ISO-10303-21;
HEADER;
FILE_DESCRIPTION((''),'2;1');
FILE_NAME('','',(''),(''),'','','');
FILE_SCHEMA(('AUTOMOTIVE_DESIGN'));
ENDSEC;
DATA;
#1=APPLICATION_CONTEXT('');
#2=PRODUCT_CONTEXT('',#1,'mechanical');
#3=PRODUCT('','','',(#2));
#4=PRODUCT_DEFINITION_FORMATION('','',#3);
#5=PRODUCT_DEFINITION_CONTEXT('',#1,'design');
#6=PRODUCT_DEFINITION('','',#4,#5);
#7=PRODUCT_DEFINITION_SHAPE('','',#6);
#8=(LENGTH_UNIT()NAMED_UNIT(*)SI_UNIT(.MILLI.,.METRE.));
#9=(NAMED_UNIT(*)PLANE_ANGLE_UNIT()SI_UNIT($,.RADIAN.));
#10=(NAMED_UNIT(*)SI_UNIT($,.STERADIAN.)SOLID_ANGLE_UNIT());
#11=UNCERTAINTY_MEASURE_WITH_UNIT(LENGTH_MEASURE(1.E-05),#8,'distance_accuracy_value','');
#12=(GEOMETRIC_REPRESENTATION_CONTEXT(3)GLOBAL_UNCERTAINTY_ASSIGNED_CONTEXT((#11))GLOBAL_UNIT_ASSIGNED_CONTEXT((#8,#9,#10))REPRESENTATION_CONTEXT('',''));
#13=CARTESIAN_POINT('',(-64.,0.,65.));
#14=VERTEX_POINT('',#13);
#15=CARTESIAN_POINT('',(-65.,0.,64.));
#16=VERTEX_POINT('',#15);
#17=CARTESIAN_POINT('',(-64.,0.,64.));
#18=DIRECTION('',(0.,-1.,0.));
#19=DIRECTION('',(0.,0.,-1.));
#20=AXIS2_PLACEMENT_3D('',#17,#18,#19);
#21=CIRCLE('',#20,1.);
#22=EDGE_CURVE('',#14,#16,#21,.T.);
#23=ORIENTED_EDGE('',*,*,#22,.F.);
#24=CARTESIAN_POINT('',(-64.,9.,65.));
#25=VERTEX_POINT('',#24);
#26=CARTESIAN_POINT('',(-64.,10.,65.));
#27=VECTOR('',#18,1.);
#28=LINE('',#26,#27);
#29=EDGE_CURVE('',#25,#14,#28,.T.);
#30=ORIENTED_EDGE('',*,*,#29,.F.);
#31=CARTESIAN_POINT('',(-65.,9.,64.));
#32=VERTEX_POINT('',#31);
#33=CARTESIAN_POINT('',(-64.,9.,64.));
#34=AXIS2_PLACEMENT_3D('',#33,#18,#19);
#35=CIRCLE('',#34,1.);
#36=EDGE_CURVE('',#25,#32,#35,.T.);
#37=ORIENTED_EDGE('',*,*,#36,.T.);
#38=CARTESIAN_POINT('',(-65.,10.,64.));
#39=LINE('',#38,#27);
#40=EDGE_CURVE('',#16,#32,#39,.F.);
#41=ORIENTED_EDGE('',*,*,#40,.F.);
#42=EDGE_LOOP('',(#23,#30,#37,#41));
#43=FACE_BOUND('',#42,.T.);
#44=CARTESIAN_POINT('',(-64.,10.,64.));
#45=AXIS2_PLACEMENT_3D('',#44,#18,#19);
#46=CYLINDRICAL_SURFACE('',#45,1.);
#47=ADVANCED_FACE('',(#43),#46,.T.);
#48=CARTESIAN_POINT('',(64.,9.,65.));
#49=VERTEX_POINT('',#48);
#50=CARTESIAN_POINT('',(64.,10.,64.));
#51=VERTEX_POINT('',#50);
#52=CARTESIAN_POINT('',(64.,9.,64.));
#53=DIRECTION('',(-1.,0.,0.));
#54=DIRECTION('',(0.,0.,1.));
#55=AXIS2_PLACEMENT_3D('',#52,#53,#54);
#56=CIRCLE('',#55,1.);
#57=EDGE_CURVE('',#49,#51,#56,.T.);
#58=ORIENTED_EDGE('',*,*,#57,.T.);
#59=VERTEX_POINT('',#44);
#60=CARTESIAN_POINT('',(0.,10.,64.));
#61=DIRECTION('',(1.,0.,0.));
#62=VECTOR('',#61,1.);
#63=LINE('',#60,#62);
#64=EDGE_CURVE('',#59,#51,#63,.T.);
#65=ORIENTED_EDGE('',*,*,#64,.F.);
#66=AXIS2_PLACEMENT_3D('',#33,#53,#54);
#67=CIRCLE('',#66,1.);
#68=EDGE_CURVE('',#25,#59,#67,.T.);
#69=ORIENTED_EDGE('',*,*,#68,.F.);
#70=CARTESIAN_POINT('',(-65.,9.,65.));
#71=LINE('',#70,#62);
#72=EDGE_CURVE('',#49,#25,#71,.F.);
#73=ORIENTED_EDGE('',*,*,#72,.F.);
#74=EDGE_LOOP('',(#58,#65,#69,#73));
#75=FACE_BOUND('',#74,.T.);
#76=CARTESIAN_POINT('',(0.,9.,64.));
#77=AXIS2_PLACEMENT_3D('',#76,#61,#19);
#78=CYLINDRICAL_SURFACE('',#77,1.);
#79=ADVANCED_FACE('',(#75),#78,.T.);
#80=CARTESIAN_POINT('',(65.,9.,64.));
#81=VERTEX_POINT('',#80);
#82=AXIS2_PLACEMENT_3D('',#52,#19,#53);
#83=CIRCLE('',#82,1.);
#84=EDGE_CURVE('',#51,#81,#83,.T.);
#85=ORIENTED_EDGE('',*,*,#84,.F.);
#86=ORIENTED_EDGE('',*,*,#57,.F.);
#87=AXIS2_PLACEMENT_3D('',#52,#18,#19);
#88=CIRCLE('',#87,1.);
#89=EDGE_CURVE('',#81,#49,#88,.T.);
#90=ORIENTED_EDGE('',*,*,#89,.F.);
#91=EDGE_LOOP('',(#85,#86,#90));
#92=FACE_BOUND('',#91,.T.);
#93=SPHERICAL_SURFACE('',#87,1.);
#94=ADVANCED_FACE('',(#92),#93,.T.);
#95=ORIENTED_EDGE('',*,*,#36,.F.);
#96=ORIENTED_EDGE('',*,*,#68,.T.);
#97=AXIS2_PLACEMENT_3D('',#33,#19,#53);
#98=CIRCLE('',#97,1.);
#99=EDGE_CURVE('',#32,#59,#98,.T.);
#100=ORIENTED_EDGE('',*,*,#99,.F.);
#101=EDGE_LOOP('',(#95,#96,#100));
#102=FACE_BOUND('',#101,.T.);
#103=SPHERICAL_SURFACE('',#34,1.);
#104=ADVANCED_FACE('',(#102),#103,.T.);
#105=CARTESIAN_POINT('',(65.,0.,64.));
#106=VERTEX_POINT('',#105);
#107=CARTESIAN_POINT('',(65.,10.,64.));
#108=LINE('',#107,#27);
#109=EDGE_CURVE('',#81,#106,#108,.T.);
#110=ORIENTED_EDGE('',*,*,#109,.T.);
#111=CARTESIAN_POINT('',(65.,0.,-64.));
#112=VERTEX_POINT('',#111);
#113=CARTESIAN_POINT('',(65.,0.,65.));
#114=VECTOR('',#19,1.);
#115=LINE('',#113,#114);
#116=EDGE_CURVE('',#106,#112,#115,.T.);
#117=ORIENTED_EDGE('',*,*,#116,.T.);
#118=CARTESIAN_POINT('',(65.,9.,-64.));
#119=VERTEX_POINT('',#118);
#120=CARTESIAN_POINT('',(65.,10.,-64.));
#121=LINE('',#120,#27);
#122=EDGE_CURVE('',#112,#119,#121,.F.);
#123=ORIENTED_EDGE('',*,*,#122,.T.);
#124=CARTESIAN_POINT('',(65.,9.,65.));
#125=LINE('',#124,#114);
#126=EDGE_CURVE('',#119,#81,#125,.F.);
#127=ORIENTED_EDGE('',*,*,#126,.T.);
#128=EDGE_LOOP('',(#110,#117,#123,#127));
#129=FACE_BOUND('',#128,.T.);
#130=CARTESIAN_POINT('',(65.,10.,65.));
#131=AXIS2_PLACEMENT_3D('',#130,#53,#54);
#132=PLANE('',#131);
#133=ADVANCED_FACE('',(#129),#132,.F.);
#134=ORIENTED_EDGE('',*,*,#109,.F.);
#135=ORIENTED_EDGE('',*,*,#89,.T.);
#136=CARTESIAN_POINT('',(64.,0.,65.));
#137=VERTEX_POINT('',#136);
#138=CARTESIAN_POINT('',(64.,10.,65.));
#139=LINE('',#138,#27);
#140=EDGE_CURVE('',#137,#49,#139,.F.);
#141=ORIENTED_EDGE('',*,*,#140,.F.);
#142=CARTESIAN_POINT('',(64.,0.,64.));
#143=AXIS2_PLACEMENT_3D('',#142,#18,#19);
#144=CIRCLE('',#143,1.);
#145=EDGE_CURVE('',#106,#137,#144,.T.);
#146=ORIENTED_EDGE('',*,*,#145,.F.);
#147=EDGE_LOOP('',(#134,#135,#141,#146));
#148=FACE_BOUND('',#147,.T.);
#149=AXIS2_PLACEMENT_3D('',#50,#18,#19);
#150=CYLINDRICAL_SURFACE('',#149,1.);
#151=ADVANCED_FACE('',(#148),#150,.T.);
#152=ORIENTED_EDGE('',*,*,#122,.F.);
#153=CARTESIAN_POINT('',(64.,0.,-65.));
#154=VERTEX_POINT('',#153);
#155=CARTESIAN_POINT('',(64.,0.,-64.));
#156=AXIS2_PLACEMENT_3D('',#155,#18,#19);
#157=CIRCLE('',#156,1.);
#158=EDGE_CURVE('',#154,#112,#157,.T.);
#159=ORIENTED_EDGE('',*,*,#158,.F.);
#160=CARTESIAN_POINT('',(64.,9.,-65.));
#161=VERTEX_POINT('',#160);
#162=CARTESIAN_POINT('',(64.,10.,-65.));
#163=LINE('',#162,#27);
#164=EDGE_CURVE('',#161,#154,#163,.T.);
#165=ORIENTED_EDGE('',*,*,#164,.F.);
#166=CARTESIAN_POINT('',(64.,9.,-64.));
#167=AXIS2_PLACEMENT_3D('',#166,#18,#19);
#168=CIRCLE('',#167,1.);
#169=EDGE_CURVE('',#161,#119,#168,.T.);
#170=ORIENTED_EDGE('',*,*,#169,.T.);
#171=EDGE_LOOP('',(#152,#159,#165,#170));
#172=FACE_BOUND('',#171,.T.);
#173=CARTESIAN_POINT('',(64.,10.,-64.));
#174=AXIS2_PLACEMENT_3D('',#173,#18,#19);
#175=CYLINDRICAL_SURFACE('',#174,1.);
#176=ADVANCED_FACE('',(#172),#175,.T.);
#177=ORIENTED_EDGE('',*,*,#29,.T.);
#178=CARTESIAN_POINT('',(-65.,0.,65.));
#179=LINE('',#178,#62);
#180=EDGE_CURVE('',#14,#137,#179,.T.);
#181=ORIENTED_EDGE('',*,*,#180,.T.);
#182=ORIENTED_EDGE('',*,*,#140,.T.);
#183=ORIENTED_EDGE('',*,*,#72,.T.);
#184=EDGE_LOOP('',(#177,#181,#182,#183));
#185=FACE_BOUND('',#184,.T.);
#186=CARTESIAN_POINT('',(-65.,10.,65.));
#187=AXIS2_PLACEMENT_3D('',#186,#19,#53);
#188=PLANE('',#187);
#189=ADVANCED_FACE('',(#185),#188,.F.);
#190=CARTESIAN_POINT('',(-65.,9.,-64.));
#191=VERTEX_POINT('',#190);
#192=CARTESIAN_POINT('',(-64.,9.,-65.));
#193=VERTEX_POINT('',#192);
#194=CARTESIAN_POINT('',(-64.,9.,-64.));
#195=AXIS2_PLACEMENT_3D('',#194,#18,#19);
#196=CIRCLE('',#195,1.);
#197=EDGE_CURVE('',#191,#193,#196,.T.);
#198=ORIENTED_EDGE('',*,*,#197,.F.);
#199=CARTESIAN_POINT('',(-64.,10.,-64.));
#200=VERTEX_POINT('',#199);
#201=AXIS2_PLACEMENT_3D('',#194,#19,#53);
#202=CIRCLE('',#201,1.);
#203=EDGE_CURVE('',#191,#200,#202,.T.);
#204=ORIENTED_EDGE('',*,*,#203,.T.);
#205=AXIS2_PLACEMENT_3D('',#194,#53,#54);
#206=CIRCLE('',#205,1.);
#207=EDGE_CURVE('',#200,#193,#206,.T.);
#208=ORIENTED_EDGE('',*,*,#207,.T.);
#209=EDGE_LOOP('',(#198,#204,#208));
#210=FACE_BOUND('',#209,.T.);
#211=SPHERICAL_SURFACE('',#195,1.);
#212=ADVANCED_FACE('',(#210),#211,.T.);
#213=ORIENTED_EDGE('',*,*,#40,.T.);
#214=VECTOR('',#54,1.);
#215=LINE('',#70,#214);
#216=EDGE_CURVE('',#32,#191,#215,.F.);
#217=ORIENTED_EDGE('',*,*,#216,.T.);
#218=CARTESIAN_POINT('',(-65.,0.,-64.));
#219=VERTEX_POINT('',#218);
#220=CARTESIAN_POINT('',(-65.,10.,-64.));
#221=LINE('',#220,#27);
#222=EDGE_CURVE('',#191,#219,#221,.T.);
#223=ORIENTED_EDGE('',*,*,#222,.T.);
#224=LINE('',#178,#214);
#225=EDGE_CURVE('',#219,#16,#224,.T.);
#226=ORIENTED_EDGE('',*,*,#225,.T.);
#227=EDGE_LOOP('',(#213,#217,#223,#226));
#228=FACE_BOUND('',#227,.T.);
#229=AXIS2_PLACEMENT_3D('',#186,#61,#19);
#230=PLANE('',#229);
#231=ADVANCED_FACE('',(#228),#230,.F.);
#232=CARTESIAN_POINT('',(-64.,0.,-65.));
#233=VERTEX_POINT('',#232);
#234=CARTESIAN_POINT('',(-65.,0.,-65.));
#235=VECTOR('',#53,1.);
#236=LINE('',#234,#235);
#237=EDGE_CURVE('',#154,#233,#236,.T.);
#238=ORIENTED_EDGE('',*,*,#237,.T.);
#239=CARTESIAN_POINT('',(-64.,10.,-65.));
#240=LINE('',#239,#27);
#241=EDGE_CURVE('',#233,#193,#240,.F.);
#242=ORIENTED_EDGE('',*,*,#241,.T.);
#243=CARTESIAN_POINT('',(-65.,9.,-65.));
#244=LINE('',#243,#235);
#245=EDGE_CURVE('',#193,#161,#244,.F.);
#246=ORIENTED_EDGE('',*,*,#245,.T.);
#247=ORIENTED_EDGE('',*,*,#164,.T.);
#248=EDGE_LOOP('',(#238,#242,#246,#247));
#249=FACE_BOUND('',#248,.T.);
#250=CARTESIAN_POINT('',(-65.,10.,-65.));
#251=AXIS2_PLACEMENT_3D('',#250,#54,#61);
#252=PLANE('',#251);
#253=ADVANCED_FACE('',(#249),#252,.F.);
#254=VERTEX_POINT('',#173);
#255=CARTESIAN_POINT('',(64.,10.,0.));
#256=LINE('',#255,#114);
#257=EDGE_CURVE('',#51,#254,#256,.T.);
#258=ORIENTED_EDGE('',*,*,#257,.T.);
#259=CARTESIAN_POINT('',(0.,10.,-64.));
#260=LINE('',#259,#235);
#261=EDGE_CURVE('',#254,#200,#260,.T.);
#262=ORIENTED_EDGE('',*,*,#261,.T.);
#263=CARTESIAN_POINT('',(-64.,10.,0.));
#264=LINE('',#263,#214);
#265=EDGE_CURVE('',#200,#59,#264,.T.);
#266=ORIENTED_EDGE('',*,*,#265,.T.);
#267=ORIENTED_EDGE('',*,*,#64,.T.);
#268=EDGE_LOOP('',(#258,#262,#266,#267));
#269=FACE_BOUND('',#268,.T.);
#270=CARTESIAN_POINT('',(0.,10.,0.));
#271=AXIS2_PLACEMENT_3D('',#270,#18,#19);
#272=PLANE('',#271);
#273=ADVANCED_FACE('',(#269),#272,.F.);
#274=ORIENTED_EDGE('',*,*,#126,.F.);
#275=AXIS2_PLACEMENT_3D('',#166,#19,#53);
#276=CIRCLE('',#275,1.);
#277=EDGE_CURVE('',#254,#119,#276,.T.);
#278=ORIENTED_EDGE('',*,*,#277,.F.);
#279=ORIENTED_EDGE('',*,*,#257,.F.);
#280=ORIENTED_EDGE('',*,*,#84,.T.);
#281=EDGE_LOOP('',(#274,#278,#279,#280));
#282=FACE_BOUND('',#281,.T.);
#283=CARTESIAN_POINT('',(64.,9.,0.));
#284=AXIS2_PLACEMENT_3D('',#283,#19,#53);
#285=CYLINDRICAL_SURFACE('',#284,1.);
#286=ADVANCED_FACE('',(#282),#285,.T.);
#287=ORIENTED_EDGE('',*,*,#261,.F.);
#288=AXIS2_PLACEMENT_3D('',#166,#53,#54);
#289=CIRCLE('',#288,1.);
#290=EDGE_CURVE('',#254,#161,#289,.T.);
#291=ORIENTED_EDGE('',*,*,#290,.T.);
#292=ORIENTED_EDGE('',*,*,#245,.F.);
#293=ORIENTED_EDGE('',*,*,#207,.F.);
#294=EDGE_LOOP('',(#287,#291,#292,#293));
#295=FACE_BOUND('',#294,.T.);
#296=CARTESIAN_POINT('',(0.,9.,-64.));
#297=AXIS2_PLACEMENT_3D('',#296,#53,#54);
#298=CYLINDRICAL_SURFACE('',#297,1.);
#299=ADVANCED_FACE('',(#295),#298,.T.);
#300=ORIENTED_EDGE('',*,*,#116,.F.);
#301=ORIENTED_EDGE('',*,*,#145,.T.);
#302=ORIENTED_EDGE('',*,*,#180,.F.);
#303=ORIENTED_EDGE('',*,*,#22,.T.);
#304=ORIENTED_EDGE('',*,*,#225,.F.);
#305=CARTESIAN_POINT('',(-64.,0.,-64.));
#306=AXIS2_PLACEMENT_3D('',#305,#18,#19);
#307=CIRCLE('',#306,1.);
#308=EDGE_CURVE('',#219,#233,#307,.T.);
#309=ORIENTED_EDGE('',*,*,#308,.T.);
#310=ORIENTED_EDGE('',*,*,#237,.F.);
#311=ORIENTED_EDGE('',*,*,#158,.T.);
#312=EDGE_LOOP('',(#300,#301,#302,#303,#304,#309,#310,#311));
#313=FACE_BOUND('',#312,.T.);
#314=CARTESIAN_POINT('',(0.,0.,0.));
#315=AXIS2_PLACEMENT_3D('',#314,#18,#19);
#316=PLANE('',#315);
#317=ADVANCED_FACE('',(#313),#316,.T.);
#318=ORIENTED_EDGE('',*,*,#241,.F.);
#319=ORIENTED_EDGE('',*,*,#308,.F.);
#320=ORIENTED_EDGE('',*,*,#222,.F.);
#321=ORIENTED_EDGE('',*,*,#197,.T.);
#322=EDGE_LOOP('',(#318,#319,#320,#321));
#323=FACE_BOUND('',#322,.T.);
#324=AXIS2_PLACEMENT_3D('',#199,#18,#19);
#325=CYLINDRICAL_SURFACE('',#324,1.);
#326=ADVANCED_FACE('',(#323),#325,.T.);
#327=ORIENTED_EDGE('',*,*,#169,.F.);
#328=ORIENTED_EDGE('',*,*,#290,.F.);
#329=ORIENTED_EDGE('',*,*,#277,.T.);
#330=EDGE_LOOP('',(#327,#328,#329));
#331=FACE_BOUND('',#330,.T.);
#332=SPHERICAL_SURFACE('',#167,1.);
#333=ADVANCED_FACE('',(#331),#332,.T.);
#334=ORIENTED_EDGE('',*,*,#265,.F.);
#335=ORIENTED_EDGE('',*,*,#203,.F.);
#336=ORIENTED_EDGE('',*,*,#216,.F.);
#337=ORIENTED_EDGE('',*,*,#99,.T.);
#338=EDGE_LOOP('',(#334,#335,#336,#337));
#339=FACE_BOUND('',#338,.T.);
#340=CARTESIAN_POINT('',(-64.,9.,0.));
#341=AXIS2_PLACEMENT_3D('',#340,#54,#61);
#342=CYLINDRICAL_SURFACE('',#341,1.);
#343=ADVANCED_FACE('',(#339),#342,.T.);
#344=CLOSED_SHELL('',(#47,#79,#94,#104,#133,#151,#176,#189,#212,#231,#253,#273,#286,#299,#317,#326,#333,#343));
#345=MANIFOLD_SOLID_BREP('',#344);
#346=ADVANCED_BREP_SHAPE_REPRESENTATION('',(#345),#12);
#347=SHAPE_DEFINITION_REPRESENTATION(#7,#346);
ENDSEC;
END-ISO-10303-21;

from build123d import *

# Parameters (mm, degrees)
SKETCH1_W           = 130
SKETCH1_H           = 130
BOSS_EXTRUDE1_DEPTH = 10
FILLET1_R           = 1
FILLET2_R           = 1


with BuildPart() as part:
    # Sketch1 → Boss-Extrude1 (new body)
    with BuildSketch(Plane(origin=(0, 0, 0), x_dir=(1, 0, 0), z_dir=(0, 1, 0))):
        Rectangle(SKETCH1_W, SKETCH1_H)
    extrude(amount=BOSS_EXTRUDE1_DEPTH)

    # Fillet1
    fillet1_edges = [part.edges().sort_by_distance(p)[0] for p in [
        (65, 5, 65),
        (-65, 5, 65),
        (-65, 5, -65),
        (65, 5, -65),
    ]]
    fillet(fillet1_edges, radius=FILLET1_R)

    # Fillet2
    fillet2_edges = [part.edges().sort_by_distance(p)[0] for p in [
        (0, 10, 65),
        (-65, 10, 0),
        (65, 10, 0),
        (0, 10, -65),
        (-64.707106781, 10, -64.707106781),
        (64.707106781, 10, -64.707106781),
        (64.707106781, 10, 64.707106781),
        (-64.707106781, 10, 64.707106781),
    ]]
    fillet(fillet2_edges, radius=FILLET2_R)


solid = part.part
